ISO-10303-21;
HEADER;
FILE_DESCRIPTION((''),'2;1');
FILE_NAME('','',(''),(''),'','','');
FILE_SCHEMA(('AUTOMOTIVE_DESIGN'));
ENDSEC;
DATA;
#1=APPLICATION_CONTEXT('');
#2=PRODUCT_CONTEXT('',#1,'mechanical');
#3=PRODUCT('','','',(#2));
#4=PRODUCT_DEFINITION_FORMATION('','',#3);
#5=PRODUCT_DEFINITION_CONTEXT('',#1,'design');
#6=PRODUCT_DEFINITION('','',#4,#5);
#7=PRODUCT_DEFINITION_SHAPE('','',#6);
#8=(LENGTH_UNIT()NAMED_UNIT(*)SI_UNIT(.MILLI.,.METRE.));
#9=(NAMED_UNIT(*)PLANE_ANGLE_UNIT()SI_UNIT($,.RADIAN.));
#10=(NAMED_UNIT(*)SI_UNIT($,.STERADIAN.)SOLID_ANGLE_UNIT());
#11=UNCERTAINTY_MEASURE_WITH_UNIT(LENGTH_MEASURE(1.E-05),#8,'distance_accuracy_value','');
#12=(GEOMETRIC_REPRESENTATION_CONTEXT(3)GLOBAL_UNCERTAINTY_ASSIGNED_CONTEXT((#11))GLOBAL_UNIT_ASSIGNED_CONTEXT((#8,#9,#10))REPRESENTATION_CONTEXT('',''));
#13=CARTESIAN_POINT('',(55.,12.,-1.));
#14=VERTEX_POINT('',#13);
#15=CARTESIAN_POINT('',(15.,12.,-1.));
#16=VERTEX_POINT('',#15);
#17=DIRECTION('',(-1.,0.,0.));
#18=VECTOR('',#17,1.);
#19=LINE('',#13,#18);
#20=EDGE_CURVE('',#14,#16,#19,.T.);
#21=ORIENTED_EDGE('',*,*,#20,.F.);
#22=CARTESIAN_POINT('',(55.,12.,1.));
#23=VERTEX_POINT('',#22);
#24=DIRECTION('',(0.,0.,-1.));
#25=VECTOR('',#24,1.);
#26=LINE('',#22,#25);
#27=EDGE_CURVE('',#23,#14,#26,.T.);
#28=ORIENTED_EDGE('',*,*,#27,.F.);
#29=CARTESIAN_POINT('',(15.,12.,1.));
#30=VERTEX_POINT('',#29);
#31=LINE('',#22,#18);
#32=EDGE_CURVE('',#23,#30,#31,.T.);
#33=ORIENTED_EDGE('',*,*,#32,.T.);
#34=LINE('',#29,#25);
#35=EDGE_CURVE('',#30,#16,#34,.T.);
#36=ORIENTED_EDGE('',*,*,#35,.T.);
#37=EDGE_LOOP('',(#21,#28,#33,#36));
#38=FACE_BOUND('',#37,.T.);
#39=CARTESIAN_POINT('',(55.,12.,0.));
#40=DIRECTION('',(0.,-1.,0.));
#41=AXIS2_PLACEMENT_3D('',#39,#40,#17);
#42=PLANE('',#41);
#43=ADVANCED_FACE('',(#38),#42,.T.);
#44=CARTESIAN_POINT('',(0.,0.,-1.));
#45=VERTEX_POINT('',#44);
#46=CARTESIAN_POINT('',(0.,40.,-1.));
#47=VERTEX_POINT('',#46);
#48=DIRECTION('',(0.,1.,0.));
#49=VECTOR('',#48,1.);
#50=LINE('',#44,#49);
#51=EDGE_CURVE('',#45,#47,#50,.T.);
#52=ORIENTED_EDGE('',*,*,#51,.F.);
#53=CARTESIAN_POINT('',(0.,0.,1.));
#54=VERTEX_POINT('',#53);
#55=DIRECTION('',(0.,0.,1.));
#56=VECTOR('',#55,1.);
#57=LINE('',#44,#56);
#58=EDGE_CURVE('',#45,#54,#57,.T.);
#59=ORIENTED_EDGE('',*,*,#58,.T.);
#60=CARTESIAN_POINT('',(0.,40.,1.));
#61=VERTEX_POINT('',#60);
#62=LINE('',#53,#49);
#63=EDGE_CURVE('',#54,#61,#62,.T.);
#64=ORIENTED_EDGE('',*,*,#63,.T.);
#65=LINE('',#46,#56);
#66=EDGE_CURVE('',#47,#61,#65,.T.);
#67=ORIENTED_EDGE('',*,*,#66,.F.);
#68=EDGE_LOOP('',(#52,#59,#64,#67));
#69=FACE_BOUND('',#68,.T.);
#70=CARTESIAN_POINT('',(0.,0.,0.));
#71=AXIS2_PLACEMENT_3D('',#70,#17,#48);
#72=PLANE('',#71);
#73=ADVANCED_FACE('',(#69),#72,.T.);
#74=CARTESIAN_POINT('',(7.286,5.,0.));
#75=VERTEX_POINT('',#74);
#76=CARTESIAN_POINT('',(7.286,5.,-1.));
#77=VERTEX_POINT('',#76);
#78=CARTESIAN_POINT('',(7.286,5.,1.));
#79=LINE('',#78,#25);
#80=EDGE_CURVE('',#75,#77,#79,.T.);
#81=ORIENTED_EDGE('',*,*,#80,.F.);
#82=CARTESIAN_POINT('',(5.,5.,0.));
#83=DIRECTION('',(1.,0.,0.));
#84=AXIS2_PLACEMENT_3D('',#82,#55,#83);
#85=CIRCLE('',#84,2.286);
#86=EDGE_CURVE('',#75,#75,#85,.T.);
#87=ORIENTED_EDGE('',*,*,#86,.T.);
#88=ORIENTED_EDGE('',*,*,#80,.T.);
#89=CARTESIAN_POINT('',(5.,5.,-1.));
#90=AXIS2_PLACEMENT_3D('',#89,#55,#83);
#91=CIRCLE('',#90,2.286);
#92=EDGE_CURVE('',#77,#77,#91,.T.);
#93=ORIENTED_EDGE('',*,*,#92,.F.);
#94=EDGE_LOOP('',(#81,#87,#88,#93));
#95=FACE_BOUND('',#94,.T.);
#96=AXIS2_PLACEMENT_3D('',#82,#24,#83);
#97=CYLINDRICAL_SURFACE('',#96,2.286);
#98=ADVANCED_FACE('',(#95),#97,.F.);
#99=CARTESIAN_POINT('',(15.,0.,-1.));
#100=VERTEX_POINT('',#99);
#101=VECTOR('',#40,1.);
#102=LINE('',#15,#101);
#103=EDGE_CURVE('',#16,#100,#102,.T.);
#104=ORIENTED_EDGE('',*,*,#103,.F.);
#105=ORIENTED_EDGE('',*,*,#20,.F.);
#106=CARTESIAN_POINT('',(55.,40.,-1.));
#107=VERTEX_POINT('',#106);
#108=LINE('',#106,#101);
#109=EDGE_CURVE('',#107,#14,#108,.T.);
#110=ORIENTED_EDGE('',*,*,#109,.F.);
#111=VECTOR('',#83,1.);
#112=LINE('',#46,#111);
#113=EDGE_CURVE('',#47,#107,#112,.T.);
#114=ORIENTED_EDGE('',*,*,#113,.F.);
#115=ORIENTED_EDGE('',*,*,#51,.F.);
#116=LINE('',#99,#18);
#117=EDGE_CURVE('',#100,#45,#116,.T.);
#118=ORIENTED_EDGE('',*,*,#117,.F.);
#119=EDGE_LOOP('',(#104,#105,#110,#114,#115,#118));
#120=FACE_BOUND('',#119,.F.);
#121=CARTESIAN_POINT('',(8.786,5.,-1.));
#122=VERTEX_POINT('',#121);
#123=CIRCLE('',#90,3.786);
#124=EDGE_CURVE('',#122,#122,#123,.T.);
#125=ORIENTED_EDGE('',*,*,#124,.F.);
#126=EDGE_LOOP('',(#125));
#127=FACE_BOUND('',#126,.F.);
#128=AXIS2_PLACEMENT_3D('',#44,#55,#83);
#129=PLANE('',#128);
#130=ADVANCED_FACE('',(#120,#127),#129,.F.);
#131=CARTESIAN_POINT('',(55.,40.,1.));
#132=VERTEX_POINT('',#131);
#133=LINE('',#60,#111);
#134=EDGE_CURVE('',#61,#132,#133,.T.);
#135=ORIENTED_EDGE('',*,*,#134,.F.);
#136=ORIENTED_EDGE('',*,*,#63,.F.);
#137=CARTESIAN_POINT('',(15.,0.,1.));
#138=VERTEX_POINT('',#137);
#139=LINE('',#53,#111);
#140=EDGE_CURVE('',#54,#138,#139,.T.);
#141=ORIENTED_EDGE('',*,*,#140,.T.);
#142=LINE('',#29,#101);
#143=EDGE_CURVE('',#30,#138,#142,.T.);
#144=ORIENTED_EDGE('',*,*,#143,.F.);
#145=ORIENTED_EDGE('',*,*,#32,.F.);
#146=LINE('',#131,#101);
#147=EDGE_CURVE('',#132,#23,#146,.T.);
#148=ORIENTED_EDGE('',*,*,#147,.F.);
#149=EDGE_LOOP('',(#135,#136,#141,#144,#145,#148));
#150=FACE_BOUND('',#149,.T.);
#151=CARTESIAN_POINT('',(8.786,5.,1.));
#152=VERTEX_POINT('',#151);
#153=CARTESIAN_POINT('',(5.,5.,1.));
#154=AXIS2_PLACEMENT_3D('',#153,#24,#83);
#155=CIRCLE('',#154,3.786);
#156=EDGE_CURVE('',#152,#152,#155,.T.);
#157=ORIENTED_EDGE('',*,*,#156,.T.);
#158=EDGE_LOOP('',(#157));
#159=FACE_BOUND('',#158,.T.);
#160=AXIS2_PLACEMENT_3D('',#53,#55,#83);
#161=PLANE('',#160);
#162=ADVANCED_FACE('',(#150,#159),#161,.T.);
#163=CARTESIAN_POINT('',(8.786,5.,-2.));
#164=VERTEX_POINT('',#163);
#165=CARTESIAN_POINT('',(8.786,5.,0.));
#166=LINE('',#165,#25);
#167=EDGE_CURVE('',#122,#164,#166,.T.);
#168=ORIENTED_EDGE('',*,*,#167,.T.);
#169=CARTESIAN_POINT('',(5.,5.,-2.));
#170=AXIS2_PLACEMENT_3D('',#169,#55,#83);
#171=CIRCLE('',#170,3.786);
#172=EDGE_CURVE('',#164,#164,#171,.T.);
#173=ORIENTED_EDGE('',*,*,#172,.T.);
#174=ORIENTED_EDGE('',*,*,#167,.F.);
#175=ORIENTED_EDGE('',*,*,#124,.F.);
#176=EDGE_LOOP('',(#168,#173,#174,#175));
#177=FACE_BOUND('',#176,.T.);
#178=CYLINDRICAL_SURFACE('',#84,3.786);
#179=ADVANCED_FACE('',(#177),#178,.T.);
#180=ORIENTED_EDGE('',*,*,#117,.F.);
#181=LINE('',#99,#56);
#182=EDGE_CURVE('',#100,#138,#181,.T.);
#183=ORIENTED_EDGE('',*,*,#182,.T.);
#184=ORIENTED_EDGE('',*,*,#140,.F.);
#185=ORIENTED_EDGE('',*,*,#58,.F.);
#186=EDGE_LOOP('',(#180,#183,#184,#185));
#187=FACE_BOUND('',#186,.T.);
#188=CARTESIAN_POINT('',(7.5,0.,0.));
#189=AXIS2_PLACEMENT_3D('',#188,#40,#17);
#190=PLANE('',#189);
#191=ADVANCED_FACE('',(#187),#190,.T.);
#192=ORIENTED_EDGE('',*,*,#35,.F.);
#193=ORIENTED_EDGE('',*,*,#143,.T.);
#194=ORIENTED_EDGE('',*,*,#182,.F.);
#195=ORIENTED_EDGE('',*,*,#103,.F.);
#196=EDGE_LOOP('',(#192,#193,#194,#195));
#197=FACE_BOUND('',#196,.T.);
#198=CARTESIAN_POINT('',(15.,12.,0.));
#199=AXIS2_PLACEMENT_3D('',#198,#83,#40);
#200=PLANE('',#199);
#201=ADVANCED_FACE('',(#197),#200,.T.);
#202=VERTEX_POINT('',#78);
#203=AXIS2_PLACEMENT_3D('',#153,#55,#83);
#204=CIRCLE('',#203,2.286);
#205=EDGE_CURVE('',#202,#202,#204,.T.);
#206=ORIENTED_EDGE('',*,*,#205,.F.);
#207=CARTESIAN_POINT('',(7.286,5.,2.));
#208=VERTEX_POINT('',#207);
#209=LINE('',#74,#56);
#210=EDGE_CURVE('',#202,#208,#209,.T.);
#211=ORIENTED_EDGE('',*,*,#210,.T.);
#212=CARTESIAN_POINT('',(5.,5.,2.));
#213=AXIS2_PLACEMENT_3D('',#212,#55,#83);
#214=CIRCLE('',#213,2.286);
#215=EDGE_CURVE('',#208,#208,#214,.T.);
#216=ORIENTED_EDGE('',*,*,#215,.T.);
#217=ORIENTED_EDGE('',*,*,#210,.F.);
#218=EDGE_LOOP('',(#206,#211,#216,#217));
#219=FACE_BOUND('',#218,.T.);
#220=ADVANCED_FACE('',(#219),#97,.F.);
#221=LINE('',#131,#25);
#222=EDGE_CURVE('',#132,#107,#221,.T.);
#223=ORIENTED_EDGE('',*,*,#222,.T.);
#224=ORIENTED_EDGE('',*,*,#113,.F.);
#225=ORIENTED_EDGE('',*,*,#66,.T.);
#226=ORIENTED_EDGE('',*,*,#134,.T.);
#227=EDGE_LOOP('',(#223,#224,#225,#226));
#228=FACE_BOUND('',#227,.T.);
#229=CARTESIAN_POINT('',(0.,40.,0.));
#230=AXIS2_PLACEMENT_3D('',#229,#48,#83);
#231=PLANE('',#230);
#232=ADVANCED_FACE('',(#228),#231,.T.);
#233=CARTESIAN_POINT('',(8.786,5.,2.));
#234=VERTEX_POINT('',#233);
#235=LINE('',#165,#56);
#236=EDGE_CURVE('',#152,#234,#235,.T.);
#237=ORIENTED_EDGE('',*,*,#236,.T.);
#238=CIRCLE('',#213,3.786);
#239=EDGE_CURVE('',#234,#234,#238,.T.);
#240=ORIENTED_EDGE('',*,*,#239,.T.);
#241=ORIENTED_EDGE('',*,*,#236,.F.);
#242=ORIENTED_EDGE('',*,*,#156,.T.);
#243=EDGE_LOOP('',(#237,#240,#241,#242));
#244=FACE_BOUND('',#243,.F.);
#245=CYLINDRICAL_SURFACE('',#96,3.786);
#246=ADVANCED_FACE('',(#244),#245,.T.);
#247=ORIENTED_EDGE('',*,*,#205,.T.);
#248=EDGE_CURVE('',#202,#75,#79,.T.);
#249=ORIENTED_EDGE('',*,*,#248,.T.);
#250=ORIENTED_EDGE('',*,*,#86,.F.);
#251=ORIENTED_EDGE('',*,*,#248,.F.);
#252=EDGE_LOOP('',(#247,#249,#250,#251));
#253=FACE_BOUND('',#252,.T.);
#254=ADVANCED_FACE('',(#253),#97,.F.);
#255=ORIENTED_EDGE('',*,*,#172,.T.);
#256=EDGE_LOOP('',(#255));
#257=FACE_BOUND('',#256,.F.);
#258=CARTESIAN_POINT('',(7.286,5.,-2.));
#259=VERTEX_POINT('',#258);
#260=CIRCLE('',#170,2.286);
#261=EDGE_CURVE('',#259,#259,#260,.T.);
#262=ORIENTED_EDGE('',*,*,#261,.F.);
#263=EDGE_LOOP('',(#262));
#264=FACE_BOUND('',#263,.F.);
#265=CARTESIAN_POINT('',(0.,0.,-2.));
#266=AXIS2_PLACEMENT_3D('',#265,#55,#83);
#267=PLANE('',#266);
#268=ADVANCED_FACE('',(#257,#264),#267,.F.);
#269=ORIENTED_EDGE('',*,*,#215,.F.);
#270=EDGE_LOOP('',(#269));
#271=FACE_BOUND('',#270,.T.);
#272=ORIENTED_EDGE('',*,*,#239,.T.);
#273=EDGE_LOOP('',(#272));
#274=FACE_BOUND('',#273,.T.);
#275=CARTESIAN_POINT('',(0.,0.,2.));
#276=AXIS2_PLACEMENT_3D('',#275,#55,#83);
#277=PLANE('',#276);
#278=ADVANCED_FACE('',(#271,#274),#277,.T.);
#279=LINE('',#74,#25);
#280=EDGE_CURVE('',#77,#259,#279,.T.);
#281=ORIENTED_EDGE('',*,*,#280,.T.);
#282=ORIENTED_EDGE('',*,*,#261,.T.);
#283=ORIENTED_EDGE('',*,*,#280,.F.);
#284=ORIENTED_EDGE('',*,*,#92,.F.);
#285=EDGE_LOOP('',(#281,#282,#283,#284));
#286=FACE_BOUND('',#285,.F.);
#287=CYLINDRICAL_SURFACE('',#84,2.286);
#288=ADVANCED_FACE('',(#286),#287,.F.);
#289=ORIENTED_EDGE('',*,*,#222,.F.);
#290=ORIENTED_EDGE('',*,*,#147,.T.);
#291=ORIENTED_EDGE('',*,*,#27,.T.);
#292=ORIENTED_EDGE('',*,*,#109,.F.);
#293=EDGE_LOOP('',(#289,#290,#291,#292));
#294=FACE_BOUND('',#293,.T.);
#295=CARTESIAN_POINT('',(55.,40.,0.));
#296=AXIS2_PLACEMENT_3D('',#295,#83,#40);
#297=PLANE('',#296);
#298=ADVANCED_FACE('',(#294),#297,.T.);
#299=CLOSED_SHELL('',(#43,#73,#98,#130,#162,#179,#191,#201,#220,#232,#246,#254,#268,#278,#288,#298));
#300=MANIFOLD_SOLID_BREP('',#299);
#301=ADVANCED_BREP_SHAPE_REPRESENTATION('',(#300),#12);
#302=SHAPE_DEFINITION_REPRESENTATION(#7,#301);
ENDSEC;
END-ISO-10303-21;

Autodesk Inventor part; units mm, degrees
ref_plane "YZ Plane" through (0, 0, 0) normal (1, 0, 0) x (0, 1, 0)
ref_plane "XZ Plane" through (0, 0, 0) normal (0, 1, 0) x (-1, 0, 0)
ref_plane "XY Plane" through (0, 0, 0) normal (0, 0, 1) x (1, 0, 0)
sketch "Sketch1" plane through (0, 0, 0) normal (0, 0, 1) x (1, 0, 0)
  line L0 (0, 40) -> (55, 40)
  line L1 (55, 40) -> (55, 12)
  line L2 (7.5, 0) -> (0, 0)
  line L3 (0, 0) -> (0, 40)
  circle A0 centre (5, 5) radius 2.286
  circle A1 centre (5, 5) radius 3.786
  line L4 (55, 12) -> (15, 12)
  line L5 (15, 12) -> (15, 0)
  line L6 (15, 0) -> (0, 0)
  point P0 (0, 0)
  dimension "d2" = 0
  dimension "d3" = 0
  dimension "d4" = 4.572
  dimension "d7" = 1.5
  dimension "d13" = 28
  dimension "d14" = 55
extrude "Extrusion1" add sketch "Sketch1" along normal mid plane 2 contours L0 L1 L4 L5 L6 L2 L3 | A1
extrude "Extrusion2" add sketch "Sketch1" along normal mid plane 4 contours A1
properties part number "gate"
